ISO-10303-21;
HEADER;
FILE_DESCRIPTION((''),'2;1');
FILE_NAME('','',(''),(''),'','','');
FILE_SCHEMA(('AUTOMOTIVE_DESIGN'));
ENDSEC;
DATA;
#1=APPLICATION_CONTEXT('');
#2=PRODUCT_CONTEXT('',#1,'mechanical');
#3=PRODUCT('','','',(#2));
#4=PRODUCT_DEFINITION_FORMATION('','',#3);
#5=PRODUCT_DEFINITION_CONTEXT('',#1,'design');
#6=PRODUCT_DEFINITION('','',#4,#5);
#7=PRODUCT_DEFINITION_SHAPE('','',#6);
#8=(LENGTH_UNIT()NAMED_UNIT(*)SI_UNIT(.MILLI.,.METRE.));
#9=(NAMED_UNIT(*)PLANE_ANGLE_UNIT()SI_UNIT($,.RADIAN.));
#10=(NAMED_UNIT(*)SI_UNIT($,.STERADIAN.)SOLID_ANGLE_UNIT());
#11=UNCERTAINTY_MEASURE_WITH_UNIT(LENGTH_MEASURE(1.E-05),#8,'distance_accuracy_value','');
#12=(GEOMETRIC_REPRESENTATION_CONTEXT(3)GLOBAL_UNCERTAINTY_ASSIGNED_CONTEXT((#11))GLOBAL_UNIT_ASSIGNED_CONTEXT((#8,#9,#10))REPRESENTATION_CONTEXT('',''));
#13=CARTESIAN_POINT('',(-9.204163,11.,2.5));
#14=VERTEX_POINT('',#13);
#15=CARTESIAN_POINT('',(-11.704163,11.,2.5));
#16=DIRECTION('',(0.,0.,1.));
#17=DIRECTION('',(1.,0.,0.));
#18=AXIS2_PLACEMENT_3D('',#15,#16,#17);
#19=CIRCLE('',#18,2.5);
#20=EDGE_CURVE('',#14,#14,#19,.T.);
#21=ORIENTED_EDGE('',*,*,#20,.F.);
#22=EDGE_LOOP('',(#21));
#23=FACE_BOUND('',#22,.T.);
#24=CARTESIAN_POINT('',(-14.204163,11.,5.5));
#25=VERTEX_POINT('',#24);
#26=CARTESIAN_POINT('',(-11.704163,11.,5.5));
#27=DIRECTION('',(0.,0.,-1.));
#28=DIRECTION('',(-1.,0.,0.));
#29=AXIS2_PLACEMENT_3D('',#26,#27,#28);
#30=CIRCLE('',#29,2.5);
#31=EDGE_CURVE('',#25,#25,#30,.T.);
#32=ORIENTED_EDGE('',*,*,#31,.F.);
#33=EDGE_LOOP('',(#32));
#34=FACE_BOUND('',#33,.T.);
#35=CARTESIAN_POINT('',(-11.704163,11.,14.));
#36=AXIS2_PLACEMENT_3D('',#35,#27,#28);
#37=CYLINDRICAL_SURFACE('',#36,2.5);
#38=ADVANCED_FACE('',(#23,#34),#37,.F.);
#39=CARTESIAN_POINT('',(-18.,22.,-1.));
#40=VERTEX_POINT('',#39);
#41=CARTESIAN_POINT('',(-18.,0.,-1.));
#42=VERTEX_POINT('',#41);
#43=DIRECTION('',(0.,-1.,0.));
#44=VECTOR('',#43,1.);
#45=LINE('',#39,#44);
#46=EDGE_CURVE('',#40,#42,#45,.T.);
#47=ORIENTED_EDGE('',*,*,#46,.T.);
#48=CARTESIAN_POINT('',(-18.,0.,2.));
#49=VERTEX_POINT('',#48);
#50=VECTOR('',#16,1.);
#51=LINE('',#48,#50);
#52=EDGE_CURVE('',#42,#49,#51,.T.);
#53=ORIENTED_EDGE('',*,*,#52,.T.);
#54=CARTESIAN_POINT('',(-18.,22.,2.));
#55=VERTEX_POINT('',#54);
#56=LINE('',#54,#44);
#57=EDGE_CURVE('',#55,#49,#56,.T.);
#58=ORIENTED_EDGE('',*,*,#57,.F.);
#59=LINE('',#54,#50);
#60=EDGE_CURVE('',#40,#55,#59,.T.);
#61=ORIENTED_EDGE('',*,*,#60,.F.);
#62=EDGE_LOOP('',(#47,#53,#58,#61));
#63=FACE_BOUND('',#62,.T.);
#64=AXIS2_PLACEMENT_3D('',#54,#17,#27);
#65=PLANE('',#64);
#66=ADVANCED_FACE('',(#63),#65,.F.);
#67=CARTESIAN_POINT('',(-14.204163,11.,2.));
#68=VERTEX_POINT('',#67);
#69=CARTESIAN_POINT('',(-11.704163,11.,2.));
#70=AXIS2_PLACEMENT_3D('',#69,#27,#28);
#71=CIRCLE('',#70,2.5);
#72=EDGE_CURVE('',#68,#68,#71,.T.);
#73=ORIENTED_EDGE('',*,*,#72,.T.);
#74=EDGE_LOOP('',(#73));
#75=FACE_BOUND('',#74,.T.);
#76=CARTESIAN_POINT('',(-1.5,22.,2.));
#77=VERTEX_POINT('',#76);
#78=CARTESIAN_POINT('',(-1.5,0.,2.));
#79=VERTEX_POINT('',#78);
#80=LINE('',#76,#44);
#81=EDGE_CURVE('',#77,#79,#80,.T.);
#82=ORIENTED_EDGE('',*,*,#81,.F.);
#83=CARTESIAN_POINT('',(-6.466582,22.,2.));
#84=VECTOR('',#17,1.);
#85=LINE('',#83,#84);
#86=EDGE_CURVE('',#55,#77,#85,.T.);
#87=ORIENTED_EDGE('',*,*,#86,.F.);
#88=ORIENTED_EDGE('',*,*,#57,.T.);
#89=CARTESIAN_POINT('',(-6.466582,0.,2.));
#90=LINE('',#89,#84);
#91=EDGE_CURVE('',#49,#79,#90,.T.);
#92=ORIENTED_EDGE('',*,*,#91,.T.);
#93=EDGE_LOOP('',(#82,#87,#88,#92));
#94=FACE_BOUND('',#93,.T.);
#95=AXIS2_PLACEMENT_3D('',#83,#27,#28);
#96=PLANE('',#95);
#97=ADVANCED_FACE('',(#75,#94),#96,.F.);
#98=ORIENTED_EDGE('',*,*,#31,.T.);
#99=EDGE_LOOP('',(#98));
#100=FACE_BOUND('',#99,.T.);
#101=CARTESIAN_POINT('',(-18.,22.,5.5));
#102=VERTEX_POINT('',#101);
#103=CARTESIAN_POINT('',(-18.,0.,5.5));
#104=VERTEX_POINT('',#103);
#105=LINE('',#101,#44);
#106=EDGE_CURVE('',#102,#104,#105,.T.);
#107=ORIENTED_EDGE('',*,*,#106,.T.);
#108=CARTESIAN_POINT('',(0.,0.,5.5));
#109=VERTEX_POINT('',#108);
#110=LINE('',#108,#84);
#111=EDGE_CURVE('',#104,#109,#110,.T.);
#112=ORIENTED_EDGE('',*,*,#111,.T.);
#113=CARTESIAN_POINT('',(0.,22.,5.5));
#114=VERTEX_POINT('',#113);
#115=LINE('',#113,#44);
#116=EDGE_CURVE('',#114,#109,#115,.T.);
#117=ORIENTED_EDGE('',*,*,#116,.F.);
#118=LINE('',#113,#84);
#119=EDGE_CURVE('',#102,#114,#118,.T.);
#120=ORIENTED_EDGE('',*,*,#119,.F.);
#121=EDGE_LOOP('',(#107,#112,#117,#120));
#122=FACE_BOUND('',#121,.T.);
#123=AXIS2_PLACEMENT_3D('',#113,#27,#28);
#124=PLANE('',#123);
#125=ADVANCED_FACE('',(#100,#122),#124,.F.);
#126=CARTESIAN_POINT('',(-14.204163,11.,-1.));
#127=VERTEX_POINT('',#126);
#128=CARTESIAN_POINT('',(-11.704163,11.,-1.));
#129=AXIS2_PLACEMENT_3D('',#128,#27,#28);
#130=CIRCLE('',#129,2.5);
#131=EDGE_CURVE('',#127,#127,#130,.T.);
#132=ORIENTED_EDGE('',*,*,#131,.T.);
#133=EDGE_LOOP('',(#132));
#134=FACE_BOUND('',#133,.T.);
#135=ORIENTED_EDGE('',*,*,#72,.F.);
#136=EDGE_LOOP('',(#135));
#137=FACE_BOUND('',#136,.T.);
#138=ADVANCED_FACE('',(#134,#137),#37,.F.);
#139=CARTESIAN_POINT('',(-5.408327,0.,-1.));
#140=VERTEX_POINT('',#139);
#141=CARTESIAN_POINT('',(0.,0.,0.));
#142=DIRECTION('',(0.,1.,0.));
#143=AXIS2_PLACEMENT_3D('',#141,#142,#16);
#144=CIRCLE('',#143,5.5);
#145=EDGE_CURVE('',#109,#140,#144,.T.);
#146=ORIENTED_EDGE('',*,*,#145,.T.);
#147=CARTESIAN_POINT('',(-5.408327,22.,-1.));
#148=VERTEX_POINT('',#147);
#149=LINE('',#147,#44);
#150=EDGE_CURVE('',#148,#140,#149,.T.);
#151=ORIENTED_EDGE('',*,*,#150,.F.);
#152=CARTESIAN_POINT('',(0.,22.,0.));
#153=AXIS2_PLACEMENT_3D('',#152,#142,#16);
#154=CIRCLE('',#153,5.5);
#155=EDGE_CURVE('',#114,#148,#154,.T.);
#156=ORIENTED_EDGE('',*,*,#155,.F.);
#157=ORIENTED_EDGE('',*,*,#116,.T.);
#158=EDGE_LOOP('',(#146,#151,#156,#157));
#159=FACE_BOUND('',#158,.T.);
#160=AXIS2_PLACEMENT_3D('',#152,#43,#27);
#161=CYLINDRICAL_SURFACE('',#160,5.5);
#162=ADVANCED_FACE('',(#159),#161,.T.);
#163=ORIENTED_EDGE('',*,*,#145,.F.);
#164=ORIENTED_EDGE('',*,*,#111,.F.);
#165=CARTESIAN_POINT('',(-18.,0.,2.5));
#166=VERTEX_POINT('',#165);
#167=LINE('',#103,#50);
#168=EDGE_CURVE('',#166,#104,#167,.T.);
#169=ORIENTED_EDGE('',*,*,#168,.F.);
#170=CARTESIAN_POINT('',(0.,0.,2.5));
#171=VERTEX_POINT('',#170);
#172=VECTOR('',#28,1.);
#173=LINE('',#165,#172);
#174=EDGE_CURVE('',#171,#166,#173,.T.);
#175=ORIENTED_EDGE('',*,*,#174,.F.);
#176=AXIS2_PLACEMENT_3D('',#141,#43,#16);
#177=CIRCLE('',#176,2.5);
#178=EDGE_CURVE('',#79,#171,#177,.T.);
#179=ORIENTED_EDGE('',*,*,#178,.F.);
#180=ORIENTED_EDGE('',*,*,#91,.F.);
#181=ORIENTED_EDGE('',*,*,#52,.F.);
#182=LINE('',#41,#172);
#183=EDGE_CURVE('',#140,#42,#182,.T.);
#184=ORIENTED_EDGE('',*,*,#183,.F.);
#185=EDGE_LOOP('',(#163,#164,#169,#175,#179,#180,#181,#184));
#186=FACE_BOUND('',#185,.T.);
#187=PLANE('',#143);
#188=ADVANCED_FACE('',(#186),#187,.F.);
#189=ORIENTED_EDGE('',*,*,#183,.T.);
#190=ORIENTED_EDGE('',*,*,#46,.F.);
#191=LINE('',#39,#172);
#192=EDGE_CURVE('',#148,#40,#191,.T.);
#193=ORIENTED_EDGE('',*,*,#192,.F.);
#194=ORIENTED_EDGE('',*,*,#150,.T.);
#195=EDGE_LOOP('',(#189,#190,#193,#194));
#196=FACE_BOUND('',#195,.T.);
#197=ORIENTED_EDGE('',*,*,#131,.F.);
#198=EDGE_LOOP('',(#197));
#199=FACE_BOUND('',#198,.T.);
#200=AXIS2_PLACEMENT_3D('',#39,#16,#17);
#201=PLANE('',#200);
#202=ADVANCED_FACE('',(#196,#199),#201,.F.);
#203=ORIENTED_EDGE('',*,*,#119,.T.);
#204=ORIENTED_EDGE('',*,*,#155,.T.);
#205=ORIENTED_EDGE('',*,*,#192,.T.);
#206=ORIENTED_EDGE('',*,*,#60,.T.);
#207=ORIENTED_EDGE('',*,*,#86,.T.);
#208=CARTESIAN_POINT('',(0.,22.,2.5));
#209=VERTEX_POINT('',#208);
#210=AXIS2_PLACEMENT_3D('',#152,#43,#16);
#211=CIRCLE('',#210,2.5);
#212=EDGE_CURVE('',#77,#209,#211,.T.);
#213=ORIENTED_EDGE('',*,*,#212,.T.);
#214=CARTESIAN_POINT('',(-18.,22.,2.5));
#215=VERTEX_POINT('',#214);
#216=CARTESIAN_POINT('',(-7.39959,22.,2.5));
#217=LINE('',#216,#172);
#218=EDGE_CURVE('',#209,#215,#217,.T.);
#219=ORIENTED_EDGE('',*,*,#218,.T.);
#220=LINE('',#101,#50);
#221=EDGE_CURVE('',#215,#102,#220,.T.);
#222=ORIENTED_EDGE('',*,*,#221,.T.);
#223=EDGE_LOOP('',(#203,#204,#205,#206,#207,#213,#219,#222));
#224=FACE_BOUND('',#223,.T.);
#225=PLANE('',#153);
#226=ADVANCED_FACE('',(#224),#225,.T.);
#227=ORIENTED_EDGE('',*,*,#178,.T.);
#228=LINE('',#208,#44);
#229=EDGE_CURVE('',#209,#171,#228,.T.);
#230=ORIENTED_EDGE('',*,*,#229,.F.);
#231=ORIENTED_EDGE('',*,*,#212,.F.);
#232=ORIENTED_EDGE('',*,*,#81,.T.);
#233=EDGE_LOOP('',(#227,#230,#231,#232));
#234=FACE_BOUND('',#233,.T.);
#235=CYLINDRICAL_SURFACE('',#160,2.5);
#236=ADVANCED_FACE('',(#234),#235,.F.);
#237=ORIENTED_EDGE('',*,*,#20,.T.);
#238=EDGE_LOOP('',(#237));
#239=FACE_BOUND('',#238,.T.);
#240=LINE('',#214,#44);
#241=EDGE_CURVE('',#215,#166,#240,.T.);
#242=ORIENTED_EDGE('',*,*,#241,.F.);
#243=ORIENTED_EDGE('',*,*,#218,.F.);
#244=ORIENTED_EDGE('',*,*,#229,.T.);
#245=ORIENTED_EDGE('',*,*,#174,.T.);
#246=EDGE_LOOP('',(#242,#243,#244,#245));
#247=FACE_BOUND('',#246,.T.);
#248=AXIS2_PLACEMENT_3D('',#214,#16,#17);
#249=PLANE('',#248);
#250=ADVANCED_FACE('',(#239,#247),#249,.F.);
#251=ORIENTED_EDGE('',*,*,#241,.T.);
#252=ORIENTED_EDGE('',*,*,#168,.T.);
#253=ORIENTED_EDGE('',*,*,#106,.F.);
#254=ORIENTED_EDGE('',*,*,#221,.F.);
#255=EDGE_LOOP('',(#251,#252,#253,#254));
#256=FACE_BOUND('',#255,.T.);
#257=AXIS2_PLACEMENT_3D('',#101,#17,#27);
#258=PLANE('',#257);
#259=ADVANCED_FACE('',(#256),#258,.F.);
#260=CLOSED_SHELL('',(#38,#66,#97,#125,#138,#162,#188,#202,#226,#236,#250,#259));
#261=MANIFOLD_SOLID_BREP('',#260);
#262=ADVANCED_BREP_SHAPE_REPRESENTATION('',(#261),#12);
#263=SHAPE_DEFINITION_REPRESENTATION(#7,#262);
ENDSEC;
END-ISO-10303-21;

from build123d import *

# Parameters (mm, degrees)
SALIENTE_EXTRUIR1_DEPTH = 22
CROQUIS2_R              = 2.5
CORTAR_EXTRUIR1_DEPTH   = 15


with BuildPart() as part:
    # Croquis1 → Saliente-Extruir1 (new body)
    with BuildSketch(Plane(origin=(0, 0, 0), x_dir=(1, 0, 0), z_dir=(0, 1, 0))):
        with BuildLine():
            Line((0, -5.5), (-18, -5.5))
            Line((-18, -5.5), (-18, -2.5))
            Line((-18, -2.5), (-7.399590065, -2.5))
            Line((-7.399590065, -2.5), (0, -2.5))
            ThreePointArc((0, -2.5), (0.790569415, 2.371708245), (-1.5, -2))
            Line((-1.5, -2), (-6.46658194, -2))
            Line((-6.46658194, -2), (-18, -2))
            Line((-18, -2), (-18, 1))
            Line((-18, 1), (-5.408326913, 1))
            ThreePointArc((-5.408326913, 1), (4.227883631, 3.51781182), (0, -5.5))
        make_face()
    extrude(amount=SALIENTE_EXTRUIR1_DEPTH)

    # Croquis2 → Cortar-Extruir1 (cut)
    with BuildSketch(Plane(origin=(0, 0, -1), x_dir=(-1, 0, 0), z_dir=(0, 0, -1))):
        with Locations((11.704163457, 11)):
            Circle(CROQUIS2_R)
    extrude(amount=-CORTAR_EXTRUIR1_DEPTH, mode=Mode.SUBTRACT)


solid = part.part
